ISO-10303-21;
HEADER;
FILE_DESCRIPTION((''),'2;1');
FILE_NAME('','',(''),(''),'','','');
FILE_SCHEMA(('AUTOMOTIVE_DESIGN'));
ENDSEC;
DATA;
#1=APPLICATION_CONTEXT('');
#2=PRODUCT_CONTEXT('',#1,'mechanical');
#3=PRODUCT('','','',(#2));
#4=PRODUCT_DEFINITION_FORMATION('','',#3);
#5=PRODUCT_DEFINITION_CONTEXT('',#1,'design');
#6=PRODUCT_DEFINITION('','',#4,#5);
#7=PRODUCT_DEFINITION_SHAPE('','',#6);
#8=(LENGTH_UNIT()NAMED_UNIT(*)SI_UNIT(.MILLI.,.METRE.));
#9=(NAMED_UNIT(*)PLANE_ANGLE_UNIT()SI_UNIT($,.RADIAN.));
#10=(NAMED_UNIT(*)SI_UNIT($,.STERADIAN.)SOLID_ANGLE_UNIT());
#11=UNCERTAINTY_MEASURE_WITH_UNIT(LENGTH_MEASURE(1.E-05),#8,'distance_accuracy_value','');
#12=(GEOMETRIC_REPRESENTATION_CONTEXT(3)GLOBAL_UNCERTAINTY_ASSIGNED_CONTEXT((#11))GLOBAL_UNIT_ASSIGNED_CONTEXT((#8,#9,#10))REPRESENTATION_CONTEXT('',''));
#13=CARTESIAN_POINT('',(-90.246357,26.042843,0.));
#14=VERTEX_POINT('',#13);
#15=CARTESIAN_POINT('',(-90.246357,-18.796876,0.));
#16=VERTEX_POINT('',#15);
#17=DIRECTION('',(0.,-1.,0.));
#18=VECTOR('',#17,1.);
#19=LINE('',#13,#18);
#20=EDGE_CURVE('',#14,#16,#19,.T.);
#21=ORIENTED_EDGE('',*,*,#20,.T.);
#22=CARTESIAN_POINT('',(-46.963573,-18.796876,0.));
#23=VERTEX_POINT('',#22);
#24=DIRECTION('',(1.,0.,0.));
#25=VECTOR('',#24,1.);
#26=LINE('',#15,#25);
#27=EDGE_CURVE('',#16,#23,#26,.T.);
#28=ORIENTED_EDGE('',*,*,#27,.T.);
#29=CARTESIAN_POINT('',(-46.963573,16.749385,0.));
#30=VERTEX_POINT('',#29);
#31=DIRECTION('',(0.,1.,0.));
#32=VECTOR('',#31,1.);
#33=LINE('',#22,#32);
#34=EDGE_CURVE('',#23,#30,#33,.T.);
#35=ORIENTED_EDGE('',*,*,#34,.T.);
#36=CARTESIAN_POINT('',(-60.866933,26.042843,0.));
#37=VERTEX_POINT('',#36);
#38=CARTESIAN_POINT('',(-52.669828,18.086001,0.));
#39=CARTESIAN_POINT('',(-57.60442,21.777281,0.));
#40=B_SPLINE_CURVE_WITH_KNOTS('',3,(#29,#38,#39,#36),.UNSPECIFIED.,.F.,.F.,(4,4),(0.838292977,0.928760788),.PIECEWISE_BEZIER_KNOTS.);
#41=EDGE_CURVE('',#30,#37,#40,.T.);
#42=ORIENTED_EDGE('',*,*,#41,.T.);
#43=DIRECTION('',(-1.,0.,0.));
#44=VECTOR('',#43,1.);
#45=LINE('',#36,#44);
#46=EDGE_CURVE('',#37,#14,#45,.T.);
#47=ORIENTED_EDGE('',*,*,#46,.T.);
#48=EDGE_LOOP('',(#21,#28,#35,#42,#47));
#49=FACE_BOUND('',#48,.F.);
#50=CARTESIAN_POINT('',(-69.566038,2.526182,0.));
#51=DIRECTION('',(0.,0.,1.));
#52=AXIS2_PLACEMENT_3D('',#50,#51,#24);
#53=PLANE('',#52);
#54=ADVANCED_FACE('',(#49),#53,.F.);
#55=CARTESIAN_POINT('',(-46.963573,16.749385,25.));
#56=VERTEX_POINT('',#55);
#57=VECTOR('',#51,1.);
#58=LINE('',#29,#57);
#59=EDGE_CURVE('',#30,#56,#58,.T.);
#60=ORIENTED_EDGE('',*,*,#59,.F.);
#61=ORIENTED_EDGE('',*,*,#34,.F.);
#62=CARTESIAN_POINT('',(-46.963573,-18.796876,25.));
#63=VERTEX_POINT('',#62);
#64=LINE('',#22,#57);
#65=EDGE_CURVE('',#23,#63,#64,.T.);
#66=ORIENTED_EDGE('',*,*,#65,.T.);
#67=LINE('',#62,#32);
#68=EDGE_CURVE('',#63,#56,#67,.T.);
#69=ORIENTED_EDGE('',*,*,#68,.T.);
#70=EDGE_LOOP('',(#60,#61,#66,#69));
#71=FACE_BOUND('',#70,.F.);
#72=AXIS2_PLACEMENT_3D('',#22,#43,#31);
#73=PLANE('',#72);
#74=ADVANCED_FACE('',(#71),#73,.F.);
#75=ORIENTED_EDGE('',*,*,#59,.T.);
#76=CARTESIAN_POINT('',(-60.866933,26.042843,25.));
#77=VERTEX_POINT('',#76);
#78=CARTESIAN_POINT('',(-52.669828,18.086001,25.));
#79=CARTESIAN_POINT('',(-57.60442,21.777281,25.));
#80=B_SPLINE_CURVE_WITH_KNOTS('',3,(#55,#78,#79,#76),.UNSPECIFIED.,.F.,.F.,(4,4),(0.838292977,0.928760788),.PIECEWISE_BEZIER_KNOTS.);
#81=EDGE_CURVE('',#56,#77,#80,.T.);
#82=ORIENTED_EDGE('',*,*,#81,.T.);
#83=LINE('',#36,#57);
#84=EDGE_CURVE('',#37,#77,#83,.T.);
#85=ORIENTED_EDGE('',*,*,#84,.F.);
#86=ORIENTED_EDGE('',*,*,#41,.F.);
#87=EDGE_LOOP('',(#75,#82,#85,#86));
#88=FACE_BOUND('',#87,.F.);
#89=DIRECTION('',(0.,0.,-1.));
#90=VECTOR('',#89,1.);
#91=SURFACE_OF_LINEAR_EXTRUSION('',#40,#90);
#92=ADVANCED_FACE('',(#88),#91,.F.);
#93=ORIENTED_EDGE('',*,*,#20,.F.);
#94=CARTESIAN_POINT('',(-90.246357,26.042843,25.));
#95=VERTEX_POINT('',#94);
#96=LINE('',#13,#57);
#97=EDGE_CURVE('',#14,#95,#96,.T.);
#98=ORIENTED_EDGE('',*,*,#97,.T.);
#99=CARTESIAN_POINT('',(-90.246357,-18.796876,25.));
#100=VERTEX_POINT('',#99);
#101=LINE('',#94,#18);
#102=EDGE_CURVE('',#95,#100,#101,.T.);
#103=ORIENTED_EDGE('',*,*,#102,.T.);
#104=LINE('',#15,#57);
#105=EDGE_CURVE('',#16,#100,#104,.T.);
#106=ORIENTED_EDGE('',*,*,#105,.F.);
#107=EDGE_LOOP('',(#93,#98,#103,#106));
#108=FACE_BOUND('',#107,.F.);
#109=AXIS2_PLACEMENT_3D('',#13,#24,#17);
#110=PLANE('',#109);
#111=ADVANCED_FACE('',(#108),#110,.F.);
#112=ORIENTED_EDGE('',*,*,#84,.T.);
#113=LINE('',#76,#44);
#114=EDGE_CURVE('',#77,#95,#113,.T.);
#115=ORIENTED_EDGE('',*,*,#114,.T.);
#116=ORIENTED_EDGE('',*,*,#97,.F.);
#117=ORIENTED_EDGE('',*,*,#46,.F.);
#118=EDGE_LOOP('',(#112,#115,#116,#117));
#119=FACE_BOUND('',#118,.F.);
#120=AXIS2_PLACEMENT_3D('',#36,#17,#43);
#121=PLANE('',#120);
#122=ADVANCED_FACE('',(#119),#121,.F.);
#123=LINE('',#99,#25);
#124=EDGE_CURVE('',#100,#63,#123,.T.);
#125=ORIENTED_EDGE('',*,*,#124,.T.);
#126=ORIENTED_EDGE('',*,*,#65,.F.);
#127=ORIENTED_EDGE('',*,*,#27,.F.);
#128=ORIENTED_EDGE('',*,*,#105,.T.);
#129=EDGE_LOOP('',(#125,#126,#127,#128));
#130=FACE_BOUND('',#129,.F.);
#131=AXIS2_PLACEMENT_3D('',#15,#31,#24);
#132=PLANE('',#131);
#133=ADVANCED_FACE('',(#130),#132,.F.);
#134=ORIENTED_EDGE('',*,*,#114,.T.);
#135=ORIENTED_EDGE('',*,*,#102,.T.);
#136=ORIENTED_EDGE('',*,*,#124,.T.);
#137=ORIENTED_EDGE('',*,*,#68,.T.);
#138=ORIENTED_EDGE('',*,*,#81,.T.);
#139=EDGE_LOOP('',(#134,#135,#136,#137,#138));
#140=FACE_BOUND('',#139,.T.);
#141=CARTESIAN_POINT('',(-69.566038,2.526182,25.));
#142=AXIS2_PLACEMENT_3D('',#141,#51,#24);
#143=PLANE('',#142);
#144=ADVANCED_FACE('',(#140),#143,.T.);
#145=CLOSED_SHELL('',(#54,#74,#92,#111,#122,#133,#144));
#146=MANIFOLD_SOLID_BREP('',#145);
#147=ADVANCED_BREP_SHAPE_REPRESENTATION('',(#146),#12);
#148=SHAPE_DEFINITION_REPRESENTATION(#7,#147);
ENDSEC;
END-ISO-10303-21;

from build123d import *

# Parameters (mm, degrees)
F1_DEPTH = 25


with BuildPart() as f1:
    # F0 (on Top) → F1 (new body)
    with BuildSketch(Plane.XY):
        with BuildLine():
            Line((-60.8669331495, 26.0428432375), (-90.2463570237, 26.0428432375))
            Line((-90.2463570237, 26.0428432375), (-90.2463570237, -18.7968760729))
            Line((-90.2463570237, -18.7968760729), (-46.9635725021, -18.7968760729))
            Line((-46.9635725021, -18.7968760729), (-46.9635725021, 16.7493853877))
            add(Edge.make_bspline(
                [(-46.9635725021, 16.7493853877), (-52.6698276977, 18.086001017), (-57.6044203065, 21.7772811939), (-60.8669331495, 26.0428432375)],
                knots=[0.838292977, 0.838292977, 0.838292977, 0.838292977, 0.9287607877, 0.9287607877, 0.9287607877, 0.9287607877], degree=3))
        make_face()
    extrude(amount=F1_DEPTH)


solid = f1.part
